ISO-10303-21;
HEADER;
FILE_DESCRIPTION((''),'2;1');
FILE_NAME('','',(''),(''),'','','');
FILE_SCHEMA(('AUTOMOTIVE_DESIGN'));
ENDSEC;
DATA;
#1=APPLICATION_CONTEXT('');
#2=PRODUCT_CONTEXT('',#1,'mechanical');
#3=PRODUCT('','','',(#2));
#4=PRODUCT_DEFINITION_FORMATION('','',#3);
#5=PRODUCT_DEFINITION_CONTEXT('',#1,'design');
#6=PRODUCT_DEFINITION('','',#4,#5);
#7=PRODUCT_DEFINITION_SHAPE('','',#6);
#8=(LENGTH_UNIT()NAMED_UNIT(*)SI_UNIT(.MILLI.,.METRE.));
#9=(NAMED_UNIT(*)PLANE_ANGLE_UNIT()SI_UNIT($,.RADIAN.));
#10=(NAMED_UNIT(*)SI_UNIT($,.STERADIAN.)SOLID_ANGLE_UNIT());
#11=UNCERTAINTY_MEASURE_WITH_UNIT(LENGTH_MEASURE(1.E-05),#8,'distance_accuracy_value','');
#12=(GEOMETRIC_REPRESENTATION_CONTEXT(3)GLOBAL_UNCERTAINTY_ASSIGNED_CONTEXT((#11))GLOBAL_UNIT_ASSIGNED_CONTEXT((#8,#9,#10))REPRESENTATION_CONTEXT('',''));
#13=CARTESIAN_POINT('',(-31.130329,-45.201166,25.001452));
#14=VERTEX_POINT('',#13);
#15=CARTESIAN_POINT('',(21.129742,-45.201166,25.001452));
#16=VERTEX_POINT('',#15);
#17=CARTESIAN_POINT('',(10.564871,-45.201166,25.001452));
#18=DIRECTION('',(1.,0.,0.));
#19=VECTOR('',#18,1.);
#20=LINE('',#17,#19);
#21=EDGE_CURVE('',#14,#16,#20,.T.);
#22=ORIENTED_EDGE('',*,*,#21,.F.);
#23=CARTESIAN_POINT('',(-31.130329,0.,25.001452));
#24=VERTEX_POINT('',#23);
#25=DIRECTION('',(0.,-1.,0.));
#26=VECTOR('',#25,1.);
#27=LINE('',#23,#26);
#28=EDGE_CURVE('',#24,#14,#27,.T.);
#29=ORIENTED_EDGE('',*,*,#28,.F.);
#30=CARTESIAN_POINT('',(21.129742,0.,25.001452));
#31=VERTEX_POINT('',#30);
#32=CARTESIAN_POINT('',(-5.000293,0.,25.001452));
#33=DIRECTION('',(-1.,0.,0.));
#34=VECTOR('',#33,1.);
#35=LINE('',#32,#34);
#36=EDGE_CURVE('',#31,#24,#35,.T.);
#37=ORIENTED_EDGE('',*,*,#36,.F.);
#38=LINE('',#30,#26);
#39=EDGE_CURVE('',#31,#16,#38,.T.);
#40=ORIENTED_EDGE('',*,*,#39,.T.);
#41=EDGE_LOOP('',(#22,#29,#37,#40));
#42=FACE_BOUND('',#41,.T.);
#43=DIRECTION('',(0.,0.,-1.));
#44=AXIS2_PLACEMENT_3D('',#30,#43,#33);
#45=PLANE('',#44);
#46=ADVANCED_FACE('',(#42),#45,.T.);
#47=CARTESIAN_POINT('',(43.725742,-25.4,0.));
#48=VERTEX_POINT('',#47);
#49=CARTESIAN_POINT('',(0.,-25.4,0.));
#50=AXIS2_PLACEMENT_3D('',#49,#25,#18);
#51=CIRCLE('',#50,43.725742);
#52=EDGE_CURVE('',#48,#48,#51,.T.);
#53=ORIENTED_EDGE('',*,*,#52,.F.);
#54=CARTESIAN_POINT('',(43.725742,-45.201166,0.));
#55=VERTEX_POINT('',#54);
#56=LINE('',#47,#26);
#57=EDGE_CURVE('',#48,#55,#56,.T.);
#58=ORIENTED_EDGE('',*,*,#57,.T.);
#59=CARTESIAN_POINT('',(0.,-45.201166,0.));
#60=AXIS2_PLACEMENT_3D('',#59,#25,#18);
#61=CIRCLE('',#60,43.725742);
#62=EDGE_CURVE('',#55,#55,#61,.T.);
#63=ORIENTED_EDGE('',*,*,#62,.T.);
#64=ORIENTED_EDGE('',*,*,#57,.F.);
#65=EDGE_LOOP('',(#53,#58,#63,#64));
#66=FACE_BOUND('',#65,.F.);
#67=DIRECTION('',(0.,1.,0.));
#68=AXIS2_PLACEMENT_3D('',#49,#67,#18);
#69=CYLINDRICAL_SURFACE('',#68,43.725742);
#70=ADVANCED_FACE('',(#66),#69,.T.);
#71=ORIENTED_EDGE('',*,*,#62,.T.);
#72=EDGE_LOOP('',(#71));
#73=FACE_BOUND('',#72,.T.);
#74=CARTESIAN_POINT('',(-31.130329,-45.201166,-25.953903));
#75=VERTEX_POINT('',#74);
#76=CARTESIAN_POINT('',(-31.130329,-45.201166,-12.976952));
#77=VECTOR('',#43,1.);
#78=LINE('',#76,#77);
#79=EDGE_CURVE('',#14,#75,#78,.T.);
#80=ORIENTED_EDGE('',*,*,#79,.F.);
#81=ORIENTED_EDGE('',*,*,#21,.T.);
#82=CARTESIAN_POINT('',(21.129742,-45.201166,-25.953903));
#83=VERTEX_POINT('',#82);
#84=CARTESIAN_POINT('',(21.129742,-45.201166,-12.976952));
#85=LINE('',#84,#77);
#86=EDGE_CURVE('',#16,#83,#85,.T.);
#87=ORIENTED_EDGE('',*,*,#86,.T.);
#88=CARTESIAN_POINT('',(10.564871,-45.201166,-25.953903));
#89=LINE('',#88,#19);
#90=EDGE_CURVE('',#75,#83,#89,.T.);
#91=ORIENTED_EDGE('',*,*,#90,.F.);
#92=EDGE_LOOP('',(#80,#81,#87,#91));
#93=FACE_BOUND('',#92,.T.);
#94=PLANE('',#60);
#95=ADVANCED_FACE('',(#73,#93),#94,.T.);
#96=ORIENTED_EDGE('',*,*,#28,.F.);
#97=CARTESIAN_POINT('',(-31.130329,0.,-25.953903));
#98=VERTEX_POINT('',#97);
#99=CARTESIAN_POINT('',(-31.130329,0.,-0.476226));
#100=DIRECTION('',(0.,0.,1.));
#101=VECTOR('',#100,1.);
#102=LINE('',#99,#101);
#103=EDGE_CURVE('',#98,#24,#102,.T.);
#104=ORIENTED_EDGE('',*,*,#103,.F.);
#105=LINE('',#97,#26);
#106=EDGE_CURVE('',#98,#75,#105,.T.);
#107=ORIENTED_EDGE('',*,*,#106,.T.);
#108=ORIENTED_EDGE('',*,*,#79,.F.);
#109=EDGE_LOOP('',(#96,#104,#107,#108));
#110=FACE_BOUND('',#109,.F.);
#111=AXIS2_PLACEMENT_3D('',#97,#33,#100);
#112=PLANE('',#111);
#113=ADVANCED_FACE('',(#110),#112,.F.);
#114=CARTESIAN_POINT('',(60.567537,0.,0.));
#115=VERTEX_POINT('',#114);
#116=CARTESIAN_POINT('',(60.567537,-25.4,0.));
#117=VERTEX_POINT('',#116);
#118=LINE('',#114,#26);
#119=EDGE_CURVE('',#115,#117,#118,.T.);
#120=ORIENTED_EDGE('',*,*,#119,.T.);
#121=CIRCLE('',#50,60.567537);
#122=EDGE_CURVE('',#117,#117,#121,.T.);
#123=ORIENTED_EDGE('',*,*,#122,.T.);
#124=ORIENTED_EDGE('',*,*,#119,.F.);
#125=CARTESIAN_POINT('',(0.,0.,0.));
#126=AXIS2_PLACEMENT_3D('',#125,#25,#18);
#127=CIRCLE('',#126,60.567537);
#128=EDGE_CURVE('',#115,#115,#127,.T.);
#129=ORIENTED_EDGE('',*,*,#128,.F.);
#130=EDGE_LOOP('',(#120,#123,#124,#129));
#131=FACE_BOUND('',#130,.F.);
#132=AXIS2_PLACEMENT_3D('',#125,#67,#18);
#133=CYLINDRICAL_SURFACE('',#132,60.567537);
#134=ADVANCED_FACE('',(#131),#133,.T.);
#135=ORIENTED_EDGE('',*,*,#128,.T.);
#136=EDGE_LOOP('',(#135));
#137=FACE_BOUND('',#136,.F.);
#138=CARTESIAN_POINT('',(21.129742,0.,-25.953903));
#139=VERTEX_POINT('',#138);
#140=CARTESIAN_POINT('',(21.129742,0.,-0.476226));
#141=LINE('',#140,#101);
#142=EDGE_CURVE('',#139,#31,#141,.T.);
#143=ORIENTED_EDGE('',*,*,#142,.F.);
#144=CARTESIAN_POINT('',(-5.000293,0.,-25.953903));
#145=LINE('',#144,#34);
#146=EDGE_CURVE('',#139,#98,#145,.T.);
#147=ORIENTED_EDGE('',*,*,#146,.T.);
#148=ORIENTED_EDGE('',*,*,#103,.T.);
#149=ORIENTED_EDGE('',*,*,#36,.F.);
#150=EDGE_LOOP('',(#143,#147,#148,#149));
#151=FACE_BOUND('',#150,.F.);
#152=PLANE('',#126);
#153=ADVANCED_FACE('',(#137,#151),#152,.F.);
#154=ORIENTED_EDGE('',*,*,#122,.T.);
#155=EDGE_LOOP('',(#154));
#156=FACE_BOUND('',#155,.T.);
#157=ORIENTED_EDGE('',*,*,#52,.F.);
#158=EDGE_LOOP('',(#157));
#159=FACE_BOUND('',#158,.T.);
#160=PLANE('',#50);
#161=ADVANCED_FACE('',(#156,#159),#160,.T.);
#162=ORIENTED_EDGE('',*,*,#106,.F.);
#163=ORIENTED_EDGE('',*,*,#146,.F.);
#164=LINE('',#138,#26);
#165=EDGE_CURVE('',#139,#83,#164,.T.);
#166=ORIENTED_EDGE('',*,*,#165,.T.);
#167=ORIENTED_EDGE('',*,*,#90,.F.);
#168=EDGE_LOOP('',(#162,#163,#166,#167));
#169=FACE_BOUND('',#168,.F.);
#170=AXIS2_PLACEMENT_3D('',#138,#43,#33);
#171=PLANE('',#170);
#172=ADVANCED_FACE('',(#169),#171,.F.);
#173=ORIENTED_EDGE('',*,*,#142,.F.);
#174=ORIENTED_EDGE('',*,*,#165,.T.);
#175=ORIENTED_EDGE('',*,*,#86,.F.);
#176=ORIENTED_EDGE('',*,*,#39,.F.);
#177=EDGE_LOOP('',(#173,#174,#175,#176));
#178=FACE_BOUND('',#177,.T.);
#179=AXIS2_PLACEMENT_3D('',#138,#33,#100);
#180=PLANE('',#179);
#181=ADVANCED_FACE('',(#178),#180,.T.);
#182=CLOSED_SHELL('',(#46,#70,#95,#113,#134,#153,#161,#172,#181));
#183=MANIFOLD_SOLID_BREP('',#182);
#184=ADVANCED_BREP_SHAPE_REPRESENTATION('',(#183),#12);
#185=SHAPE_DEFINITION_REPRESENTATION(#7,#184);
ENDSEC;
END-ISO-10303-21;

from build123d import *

# Parameters (mm, degrees)
F0_R     = 60.567537
F1_DEPTH = 25.4
F2_R     = 43.725742
F3_DEPTH = 19.801166
F4_W     = 52.260071
F4_H     = 50.955355
F5_DEPTH = 118.063478


with BuildPart() as f1:
    # F0 (on Front) → F1 (new body)
    with BuildSketch(Plane.XZ):
        Circle(F0_R)
    extrude(amount=F1_DEPTH)

    # F2 (on face) → F3 (join)
    with BuildSketch(Plane.XZ.offset(25.4)):
        Circle(F2_R)
    extrude(amount=F3_DEPTH)

    # F4 (on face) → F5 (cut)
    with BuildSketch(Plane(origin=(0, 0, 0), x_dir=(-1, 0, 0), z_dir=(0, 1, 0))):
        with Locations((5.000293, -0.476226)):
            Rectangle(F4_W, F4_H)
    extrude(amount=-F5_DEPTH, mode=Mode.SUBTRACT)


solid = f1.part
